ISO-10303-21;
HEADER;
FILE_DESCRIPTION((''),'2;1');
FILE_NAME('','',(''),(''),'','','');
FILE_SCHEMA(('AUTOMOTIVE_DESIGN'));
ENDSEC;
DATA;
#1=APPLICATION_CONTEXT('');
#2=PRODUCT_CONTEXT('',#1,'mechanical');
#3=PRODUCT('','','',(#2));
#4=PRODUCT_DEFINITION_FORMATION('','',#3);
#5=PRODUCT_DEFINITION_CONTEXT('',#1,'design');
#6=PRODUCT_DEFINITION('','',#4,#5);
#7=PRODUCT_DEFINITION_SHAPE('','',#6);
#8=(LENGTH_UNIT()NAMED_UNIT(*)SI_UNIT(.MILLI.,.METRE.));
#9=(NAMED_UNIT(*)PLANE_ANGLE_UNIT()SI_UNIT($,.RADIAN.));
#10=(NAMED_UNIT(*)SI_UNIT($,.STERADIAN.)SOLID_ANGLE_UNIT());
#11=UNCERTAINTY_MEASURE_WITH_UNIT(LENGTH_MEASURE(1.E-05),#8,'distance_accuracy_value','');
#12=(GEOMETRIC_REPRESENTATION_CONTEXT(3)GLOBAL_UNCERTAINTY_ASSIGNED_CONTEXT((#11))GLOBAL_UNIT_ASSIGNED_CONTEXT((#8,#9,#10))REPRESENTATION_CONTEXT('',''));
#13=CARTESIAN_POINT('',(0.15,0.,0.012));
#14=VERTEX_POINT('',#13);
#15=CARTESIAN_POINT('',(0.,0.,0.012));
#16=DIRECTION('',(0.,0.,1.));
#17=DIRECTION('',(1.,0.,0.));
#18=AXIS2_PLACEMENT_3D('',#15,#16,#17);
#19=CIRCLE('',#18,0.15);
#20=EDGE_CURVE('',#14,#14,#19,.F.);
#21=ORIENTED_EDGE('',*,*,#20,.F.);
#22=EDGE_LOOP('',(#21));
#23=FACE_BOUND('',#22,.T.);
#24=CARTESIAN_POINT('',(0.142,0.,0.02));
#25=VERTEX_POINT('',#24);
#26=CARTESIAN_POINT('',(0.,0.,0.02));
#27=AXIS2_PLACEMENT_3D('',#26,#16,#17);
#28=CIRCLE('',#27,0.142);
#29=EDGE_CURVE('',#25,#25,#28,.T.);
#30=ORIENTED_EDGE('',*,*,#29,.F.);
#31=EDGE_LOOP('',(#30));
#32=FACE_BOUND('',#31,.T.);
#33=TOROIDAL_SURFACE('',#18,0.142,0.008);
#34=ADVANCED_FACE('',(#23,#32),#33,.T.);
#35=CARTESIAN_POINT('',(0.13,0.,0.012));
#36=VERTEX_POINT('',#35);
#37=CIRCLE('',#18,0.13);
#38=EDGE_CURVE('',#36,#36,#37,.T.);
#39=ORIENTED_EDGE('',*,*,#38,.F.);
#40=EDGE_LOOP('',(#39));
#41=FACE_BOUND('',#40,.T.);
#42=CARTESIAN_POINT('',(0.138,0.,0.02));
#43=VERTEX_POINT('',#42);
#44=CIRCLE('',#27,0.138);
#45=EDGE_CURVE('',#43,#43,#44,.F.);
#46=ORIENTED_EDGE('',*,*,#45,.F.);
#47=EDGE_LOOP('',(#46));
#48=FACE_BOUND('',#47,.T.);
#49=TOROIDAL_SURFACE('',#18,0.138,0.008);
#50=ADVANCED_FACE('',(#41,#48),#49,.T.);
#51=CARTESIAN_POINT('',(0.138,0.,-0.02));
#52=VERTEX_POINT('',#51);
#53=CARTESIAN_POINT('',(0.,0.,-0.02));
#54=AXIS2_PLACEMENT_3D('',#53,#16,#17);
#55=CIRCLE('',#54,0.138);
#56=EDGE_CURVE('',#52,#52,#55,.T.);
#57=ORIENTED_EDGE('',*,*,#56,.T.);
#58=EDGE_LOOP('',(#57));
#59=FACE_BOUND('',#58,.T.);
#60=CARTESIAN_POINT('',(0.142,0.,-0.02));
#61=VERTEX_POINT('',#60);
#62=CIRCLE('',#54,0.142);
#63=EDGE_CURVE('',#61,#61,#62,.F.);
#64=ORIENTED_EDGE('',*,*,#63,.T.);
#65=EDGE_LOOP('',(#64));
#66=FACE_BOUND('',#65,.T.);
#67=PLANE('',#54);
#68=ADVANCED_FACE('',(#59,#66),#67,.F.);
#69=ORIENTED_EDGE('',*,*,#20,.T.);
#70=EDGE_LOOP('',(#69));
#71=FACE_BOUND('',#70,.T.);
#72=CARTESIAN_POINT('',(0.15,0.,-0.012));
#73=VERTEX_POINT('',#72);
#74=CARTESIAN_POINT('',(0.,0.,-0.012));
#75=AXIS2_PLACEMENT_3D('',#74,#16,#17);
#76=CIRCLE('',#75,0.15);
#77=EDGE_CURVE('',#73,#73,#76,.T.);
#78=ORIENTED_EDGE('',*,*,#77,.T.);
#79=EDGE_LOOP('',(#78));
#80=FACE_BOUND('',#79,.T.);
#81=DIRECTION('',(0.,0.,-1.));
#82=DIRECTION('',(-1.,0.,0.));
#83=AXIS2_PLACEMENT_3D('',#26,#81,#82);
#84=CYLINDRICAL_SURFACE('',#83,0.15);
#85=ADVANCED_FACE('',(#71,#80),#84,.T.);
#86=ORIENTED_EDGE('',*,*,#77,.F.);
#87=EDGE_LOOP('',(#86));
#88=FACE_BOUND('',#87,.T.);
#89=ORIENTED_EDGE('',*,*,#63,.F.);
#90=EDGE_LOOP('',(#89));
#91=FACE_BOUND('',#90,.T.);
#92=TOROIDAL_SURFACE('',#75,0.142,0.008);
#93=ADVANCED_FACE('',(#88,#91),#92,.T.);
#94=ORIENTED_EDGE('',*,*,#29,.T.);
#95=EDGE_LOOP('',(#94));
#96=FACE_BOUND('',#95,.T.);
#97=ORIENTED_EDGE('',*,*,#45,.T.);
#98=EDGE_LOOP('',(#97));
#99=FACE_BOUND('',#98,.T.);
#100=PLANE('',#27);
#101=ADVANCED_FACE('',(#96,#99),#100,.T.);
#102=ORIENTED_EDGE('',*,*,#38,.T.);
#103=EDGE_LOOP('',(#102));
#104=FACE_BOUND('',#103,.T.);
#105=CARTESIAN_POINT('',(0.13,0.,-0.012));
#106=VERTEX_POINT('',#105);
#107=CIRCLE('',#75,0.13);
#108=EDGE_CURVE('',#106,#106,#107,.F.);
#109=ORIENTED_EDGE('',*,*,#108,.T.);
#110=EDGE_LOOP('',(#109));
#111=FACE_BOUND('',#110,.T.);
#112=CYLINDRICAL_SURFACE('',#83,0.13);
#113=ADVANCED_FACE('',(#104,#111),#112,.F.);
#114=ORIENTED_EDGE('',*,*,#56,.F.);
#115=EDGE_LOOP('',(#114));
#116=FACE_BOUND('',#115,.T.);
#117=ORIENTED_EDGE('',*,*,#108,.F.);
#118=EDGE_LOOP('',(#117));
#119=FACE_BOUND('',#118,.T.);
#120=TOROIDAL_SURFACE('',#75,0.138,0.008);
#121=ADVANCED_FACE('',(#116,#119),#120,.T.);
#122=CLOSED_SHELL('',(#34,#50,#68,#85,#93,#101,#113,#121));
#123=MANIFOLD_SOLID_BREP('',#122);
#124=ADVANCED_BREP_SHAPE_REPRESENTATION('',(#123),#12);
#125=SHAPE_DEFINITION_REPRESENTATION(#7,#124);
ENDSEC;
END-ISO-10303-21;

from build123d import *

# Parameters (mm, degrees)
CROQUIS1_R            = 0.15
CROQUIS1_R_2          = 0.13
EXTRUIR_L_MINA1_DEPTH = 0.02
REDONDEO1_R           = 0.008


with BuildPart() as part:
    # Croquis1 → Extruir-Lámina1 (new, symmetric)
    with BuildSketch(Plane.XY):
        Circle(CROQUIS1_R)
        Circle(CROQUIS1_R_2, mode=Mode.SUBTRACT)
    extrude(amount=EXTRUIR_L_MINA1_DEPTH, both=True)

    # Redondeo1
    redondeo1_edges = [part.edges().sort_by_distance(p)[0] for p in [
        (-0.15, 0, -0.02),
        (-0.13, 0, -0.02),
        (-0.15, 0, 0.02),
        (-0.13, 0, 0.02),
    ]]
    fillet(redondeo1_edges, radius=REDONDEO1_R)


solid = part.part
